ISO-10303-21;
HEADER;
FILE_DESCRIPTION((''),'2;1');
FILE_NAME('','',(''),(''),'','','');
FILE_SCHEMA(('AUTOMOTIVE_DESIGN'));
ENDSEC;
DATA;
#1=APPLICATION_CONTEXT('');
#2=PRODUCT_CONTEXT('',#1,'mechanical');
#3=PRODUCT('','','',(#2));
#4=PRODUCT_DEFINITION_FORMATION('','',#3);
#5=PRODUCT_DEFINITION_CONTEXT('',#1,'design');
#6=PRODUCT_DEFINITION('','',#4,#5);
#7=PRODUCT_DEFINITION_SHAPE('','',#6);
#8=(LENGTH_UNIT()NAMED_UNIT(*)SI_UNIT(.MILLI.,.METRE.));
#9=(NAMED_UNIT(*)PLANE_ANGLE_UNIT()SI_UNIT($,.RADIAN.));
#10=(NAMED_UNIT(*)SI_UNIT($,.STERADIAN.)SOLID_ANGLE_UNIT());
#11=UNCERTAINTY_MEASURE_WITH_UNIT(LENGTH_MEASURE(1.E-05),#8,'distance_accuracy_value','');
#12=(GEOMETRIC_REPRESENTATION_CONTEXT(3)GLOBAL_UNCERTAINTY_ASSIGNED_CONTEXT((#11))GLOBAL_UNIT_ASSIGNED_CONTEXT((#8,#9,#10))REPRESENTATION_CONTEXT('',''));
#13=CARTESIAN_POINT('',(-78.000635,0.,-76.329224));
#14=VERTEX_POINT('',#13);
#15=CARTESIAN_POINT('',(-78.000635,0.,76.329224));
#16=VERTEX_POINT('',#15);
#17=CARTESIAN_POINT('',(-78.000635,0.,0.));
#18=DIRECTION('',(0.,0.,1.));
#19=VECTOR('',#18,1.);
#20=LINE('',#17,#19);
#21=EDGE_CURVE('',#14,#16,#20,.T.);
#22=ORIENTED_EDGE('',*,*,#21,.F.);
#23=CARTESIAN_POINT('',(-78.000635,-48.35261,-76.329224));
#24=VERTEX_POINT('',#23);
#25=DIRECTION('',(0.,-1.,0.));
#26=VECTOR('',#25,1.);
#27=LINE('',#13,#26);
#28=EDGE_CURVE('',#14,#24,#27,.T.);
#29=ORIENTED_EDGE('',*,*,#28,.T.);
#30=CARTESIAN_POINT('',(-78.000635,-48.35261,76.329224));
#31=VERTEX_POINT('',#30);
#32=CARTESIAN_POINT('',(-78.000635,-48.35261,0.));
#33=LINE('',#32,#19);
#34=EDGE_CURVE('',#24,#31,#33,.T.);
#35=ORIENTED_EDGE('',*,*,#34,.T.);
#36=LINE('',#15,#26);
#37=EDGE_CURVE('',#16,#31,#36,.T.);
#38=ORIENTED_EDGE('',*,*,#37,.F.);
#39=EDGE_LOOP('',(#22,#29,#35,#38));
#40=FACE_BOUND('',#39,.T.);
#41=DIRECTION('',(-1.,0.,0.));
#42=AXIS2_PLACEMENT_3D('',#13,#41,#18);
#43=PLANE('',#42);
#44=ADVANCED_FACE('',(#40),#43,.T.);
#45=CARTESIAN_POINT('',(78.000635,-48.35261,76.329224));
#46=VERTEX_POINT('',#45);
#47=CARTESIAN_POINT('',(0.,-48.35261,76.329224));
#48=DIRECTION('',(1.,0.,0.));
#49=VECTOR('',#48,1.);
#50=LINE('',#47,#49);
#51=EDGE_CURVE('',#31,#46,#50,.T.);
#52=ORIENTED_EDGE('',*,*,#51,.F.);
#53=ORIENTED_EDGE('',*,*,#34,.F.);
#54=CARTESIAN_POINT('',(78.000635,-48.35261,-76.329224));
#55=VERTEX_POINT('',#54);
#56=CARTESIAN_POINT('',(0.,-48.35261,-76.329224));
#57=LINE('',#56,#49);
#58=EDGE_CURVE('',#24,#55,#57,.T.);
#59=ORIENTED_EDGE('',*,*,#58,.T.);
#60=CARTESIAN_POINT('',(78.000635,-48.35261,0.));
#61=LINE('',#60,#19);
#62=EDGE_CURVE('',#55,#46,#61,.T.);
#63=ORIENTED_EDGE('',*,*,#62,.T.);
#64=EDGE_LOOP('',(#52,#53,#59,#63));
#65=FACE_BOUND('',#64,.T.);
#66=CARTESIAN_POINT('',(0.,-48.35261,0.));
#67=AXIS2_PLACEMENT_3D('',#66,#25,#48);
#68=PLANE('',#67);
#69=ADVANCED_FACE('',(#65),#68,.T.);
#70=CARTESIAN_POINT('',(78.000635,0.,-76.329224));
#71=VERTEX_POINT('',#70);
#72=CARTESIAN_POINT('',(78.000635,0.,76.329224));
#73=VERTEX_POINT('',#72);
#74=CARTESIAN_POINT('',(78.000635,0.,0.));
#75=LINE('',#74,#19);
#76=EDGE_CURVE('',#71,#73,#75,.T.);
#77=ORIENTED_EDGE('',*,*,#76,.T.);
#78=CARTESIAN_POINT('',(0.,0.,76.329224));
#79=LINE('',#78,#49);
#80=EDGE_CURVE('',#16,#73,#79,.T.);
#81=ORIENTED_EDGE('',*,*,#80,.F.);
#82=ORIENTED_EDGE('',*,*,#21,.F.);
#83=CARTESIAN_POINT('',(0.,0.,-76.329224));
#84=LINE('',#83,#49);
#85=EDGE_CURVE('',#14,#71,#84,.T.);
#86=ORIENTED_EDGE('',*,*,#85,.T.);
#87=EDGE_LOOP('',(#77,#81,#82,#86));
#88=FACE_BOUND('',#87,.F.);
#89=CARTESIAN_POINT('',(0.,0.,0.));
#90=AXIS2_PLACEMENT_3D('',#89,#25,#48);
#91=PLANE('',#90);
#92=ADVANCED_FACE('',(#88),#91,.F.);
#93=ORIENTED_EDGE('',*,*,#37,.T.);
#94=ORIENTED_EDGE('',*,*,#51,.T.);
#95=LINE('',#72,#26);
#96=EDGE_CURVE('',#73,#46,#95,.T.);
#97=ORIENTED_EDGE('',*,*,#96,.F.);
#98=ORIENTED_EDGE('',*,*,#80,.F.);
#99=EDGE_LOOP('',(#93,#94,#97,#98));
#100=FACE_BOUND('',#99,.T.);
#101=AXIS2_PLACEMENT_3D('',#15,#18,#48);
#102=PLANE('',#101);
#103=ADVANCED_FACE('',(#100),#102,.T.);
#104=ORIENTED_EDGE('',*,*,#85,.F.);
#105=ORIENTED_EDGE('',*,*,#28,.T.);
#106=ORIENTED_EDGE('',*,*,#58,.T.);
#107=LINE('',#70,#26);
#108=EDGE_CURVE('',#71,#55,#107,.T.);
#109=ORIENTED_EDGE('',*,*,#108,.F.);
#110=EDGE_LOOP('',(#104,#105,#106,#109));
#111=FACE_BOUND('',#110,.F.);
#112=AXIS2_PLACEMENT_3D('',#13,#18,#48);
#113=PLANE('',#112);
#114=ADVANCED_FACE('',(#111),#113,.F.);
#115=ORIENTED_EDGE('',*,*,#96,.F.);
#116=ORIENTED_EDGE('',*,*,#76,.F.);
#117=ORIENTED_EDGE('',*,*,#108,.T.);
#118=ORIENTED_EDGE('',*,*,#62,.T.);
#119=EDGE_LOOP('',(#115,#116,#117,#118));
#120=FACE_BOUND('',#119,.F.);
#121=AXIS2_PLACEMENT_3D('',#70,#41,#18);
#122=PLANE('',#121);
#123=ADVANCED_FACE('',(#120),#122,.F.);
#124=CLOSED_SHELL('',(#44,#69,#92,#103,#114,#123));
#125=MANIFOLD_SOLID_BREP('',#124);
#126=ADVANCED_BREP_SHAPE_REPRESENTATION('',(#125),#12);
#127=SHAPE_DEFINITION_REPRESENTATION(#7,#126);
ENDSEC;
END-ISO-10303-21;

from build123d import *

# Parameters (mm, degrees)
F1_W     = 156.00127
F1_H     = 152.658448
F2_DEPTH = 48.35261


with BuildPart() as f2:
    # F1 (on face) → F2 (new body)
    with BuildSketch(Plane.XZ):
        Rectangle(F1_W, F1_H)
    extrude(amount=F2_DEPTH)


solid = f2.part
